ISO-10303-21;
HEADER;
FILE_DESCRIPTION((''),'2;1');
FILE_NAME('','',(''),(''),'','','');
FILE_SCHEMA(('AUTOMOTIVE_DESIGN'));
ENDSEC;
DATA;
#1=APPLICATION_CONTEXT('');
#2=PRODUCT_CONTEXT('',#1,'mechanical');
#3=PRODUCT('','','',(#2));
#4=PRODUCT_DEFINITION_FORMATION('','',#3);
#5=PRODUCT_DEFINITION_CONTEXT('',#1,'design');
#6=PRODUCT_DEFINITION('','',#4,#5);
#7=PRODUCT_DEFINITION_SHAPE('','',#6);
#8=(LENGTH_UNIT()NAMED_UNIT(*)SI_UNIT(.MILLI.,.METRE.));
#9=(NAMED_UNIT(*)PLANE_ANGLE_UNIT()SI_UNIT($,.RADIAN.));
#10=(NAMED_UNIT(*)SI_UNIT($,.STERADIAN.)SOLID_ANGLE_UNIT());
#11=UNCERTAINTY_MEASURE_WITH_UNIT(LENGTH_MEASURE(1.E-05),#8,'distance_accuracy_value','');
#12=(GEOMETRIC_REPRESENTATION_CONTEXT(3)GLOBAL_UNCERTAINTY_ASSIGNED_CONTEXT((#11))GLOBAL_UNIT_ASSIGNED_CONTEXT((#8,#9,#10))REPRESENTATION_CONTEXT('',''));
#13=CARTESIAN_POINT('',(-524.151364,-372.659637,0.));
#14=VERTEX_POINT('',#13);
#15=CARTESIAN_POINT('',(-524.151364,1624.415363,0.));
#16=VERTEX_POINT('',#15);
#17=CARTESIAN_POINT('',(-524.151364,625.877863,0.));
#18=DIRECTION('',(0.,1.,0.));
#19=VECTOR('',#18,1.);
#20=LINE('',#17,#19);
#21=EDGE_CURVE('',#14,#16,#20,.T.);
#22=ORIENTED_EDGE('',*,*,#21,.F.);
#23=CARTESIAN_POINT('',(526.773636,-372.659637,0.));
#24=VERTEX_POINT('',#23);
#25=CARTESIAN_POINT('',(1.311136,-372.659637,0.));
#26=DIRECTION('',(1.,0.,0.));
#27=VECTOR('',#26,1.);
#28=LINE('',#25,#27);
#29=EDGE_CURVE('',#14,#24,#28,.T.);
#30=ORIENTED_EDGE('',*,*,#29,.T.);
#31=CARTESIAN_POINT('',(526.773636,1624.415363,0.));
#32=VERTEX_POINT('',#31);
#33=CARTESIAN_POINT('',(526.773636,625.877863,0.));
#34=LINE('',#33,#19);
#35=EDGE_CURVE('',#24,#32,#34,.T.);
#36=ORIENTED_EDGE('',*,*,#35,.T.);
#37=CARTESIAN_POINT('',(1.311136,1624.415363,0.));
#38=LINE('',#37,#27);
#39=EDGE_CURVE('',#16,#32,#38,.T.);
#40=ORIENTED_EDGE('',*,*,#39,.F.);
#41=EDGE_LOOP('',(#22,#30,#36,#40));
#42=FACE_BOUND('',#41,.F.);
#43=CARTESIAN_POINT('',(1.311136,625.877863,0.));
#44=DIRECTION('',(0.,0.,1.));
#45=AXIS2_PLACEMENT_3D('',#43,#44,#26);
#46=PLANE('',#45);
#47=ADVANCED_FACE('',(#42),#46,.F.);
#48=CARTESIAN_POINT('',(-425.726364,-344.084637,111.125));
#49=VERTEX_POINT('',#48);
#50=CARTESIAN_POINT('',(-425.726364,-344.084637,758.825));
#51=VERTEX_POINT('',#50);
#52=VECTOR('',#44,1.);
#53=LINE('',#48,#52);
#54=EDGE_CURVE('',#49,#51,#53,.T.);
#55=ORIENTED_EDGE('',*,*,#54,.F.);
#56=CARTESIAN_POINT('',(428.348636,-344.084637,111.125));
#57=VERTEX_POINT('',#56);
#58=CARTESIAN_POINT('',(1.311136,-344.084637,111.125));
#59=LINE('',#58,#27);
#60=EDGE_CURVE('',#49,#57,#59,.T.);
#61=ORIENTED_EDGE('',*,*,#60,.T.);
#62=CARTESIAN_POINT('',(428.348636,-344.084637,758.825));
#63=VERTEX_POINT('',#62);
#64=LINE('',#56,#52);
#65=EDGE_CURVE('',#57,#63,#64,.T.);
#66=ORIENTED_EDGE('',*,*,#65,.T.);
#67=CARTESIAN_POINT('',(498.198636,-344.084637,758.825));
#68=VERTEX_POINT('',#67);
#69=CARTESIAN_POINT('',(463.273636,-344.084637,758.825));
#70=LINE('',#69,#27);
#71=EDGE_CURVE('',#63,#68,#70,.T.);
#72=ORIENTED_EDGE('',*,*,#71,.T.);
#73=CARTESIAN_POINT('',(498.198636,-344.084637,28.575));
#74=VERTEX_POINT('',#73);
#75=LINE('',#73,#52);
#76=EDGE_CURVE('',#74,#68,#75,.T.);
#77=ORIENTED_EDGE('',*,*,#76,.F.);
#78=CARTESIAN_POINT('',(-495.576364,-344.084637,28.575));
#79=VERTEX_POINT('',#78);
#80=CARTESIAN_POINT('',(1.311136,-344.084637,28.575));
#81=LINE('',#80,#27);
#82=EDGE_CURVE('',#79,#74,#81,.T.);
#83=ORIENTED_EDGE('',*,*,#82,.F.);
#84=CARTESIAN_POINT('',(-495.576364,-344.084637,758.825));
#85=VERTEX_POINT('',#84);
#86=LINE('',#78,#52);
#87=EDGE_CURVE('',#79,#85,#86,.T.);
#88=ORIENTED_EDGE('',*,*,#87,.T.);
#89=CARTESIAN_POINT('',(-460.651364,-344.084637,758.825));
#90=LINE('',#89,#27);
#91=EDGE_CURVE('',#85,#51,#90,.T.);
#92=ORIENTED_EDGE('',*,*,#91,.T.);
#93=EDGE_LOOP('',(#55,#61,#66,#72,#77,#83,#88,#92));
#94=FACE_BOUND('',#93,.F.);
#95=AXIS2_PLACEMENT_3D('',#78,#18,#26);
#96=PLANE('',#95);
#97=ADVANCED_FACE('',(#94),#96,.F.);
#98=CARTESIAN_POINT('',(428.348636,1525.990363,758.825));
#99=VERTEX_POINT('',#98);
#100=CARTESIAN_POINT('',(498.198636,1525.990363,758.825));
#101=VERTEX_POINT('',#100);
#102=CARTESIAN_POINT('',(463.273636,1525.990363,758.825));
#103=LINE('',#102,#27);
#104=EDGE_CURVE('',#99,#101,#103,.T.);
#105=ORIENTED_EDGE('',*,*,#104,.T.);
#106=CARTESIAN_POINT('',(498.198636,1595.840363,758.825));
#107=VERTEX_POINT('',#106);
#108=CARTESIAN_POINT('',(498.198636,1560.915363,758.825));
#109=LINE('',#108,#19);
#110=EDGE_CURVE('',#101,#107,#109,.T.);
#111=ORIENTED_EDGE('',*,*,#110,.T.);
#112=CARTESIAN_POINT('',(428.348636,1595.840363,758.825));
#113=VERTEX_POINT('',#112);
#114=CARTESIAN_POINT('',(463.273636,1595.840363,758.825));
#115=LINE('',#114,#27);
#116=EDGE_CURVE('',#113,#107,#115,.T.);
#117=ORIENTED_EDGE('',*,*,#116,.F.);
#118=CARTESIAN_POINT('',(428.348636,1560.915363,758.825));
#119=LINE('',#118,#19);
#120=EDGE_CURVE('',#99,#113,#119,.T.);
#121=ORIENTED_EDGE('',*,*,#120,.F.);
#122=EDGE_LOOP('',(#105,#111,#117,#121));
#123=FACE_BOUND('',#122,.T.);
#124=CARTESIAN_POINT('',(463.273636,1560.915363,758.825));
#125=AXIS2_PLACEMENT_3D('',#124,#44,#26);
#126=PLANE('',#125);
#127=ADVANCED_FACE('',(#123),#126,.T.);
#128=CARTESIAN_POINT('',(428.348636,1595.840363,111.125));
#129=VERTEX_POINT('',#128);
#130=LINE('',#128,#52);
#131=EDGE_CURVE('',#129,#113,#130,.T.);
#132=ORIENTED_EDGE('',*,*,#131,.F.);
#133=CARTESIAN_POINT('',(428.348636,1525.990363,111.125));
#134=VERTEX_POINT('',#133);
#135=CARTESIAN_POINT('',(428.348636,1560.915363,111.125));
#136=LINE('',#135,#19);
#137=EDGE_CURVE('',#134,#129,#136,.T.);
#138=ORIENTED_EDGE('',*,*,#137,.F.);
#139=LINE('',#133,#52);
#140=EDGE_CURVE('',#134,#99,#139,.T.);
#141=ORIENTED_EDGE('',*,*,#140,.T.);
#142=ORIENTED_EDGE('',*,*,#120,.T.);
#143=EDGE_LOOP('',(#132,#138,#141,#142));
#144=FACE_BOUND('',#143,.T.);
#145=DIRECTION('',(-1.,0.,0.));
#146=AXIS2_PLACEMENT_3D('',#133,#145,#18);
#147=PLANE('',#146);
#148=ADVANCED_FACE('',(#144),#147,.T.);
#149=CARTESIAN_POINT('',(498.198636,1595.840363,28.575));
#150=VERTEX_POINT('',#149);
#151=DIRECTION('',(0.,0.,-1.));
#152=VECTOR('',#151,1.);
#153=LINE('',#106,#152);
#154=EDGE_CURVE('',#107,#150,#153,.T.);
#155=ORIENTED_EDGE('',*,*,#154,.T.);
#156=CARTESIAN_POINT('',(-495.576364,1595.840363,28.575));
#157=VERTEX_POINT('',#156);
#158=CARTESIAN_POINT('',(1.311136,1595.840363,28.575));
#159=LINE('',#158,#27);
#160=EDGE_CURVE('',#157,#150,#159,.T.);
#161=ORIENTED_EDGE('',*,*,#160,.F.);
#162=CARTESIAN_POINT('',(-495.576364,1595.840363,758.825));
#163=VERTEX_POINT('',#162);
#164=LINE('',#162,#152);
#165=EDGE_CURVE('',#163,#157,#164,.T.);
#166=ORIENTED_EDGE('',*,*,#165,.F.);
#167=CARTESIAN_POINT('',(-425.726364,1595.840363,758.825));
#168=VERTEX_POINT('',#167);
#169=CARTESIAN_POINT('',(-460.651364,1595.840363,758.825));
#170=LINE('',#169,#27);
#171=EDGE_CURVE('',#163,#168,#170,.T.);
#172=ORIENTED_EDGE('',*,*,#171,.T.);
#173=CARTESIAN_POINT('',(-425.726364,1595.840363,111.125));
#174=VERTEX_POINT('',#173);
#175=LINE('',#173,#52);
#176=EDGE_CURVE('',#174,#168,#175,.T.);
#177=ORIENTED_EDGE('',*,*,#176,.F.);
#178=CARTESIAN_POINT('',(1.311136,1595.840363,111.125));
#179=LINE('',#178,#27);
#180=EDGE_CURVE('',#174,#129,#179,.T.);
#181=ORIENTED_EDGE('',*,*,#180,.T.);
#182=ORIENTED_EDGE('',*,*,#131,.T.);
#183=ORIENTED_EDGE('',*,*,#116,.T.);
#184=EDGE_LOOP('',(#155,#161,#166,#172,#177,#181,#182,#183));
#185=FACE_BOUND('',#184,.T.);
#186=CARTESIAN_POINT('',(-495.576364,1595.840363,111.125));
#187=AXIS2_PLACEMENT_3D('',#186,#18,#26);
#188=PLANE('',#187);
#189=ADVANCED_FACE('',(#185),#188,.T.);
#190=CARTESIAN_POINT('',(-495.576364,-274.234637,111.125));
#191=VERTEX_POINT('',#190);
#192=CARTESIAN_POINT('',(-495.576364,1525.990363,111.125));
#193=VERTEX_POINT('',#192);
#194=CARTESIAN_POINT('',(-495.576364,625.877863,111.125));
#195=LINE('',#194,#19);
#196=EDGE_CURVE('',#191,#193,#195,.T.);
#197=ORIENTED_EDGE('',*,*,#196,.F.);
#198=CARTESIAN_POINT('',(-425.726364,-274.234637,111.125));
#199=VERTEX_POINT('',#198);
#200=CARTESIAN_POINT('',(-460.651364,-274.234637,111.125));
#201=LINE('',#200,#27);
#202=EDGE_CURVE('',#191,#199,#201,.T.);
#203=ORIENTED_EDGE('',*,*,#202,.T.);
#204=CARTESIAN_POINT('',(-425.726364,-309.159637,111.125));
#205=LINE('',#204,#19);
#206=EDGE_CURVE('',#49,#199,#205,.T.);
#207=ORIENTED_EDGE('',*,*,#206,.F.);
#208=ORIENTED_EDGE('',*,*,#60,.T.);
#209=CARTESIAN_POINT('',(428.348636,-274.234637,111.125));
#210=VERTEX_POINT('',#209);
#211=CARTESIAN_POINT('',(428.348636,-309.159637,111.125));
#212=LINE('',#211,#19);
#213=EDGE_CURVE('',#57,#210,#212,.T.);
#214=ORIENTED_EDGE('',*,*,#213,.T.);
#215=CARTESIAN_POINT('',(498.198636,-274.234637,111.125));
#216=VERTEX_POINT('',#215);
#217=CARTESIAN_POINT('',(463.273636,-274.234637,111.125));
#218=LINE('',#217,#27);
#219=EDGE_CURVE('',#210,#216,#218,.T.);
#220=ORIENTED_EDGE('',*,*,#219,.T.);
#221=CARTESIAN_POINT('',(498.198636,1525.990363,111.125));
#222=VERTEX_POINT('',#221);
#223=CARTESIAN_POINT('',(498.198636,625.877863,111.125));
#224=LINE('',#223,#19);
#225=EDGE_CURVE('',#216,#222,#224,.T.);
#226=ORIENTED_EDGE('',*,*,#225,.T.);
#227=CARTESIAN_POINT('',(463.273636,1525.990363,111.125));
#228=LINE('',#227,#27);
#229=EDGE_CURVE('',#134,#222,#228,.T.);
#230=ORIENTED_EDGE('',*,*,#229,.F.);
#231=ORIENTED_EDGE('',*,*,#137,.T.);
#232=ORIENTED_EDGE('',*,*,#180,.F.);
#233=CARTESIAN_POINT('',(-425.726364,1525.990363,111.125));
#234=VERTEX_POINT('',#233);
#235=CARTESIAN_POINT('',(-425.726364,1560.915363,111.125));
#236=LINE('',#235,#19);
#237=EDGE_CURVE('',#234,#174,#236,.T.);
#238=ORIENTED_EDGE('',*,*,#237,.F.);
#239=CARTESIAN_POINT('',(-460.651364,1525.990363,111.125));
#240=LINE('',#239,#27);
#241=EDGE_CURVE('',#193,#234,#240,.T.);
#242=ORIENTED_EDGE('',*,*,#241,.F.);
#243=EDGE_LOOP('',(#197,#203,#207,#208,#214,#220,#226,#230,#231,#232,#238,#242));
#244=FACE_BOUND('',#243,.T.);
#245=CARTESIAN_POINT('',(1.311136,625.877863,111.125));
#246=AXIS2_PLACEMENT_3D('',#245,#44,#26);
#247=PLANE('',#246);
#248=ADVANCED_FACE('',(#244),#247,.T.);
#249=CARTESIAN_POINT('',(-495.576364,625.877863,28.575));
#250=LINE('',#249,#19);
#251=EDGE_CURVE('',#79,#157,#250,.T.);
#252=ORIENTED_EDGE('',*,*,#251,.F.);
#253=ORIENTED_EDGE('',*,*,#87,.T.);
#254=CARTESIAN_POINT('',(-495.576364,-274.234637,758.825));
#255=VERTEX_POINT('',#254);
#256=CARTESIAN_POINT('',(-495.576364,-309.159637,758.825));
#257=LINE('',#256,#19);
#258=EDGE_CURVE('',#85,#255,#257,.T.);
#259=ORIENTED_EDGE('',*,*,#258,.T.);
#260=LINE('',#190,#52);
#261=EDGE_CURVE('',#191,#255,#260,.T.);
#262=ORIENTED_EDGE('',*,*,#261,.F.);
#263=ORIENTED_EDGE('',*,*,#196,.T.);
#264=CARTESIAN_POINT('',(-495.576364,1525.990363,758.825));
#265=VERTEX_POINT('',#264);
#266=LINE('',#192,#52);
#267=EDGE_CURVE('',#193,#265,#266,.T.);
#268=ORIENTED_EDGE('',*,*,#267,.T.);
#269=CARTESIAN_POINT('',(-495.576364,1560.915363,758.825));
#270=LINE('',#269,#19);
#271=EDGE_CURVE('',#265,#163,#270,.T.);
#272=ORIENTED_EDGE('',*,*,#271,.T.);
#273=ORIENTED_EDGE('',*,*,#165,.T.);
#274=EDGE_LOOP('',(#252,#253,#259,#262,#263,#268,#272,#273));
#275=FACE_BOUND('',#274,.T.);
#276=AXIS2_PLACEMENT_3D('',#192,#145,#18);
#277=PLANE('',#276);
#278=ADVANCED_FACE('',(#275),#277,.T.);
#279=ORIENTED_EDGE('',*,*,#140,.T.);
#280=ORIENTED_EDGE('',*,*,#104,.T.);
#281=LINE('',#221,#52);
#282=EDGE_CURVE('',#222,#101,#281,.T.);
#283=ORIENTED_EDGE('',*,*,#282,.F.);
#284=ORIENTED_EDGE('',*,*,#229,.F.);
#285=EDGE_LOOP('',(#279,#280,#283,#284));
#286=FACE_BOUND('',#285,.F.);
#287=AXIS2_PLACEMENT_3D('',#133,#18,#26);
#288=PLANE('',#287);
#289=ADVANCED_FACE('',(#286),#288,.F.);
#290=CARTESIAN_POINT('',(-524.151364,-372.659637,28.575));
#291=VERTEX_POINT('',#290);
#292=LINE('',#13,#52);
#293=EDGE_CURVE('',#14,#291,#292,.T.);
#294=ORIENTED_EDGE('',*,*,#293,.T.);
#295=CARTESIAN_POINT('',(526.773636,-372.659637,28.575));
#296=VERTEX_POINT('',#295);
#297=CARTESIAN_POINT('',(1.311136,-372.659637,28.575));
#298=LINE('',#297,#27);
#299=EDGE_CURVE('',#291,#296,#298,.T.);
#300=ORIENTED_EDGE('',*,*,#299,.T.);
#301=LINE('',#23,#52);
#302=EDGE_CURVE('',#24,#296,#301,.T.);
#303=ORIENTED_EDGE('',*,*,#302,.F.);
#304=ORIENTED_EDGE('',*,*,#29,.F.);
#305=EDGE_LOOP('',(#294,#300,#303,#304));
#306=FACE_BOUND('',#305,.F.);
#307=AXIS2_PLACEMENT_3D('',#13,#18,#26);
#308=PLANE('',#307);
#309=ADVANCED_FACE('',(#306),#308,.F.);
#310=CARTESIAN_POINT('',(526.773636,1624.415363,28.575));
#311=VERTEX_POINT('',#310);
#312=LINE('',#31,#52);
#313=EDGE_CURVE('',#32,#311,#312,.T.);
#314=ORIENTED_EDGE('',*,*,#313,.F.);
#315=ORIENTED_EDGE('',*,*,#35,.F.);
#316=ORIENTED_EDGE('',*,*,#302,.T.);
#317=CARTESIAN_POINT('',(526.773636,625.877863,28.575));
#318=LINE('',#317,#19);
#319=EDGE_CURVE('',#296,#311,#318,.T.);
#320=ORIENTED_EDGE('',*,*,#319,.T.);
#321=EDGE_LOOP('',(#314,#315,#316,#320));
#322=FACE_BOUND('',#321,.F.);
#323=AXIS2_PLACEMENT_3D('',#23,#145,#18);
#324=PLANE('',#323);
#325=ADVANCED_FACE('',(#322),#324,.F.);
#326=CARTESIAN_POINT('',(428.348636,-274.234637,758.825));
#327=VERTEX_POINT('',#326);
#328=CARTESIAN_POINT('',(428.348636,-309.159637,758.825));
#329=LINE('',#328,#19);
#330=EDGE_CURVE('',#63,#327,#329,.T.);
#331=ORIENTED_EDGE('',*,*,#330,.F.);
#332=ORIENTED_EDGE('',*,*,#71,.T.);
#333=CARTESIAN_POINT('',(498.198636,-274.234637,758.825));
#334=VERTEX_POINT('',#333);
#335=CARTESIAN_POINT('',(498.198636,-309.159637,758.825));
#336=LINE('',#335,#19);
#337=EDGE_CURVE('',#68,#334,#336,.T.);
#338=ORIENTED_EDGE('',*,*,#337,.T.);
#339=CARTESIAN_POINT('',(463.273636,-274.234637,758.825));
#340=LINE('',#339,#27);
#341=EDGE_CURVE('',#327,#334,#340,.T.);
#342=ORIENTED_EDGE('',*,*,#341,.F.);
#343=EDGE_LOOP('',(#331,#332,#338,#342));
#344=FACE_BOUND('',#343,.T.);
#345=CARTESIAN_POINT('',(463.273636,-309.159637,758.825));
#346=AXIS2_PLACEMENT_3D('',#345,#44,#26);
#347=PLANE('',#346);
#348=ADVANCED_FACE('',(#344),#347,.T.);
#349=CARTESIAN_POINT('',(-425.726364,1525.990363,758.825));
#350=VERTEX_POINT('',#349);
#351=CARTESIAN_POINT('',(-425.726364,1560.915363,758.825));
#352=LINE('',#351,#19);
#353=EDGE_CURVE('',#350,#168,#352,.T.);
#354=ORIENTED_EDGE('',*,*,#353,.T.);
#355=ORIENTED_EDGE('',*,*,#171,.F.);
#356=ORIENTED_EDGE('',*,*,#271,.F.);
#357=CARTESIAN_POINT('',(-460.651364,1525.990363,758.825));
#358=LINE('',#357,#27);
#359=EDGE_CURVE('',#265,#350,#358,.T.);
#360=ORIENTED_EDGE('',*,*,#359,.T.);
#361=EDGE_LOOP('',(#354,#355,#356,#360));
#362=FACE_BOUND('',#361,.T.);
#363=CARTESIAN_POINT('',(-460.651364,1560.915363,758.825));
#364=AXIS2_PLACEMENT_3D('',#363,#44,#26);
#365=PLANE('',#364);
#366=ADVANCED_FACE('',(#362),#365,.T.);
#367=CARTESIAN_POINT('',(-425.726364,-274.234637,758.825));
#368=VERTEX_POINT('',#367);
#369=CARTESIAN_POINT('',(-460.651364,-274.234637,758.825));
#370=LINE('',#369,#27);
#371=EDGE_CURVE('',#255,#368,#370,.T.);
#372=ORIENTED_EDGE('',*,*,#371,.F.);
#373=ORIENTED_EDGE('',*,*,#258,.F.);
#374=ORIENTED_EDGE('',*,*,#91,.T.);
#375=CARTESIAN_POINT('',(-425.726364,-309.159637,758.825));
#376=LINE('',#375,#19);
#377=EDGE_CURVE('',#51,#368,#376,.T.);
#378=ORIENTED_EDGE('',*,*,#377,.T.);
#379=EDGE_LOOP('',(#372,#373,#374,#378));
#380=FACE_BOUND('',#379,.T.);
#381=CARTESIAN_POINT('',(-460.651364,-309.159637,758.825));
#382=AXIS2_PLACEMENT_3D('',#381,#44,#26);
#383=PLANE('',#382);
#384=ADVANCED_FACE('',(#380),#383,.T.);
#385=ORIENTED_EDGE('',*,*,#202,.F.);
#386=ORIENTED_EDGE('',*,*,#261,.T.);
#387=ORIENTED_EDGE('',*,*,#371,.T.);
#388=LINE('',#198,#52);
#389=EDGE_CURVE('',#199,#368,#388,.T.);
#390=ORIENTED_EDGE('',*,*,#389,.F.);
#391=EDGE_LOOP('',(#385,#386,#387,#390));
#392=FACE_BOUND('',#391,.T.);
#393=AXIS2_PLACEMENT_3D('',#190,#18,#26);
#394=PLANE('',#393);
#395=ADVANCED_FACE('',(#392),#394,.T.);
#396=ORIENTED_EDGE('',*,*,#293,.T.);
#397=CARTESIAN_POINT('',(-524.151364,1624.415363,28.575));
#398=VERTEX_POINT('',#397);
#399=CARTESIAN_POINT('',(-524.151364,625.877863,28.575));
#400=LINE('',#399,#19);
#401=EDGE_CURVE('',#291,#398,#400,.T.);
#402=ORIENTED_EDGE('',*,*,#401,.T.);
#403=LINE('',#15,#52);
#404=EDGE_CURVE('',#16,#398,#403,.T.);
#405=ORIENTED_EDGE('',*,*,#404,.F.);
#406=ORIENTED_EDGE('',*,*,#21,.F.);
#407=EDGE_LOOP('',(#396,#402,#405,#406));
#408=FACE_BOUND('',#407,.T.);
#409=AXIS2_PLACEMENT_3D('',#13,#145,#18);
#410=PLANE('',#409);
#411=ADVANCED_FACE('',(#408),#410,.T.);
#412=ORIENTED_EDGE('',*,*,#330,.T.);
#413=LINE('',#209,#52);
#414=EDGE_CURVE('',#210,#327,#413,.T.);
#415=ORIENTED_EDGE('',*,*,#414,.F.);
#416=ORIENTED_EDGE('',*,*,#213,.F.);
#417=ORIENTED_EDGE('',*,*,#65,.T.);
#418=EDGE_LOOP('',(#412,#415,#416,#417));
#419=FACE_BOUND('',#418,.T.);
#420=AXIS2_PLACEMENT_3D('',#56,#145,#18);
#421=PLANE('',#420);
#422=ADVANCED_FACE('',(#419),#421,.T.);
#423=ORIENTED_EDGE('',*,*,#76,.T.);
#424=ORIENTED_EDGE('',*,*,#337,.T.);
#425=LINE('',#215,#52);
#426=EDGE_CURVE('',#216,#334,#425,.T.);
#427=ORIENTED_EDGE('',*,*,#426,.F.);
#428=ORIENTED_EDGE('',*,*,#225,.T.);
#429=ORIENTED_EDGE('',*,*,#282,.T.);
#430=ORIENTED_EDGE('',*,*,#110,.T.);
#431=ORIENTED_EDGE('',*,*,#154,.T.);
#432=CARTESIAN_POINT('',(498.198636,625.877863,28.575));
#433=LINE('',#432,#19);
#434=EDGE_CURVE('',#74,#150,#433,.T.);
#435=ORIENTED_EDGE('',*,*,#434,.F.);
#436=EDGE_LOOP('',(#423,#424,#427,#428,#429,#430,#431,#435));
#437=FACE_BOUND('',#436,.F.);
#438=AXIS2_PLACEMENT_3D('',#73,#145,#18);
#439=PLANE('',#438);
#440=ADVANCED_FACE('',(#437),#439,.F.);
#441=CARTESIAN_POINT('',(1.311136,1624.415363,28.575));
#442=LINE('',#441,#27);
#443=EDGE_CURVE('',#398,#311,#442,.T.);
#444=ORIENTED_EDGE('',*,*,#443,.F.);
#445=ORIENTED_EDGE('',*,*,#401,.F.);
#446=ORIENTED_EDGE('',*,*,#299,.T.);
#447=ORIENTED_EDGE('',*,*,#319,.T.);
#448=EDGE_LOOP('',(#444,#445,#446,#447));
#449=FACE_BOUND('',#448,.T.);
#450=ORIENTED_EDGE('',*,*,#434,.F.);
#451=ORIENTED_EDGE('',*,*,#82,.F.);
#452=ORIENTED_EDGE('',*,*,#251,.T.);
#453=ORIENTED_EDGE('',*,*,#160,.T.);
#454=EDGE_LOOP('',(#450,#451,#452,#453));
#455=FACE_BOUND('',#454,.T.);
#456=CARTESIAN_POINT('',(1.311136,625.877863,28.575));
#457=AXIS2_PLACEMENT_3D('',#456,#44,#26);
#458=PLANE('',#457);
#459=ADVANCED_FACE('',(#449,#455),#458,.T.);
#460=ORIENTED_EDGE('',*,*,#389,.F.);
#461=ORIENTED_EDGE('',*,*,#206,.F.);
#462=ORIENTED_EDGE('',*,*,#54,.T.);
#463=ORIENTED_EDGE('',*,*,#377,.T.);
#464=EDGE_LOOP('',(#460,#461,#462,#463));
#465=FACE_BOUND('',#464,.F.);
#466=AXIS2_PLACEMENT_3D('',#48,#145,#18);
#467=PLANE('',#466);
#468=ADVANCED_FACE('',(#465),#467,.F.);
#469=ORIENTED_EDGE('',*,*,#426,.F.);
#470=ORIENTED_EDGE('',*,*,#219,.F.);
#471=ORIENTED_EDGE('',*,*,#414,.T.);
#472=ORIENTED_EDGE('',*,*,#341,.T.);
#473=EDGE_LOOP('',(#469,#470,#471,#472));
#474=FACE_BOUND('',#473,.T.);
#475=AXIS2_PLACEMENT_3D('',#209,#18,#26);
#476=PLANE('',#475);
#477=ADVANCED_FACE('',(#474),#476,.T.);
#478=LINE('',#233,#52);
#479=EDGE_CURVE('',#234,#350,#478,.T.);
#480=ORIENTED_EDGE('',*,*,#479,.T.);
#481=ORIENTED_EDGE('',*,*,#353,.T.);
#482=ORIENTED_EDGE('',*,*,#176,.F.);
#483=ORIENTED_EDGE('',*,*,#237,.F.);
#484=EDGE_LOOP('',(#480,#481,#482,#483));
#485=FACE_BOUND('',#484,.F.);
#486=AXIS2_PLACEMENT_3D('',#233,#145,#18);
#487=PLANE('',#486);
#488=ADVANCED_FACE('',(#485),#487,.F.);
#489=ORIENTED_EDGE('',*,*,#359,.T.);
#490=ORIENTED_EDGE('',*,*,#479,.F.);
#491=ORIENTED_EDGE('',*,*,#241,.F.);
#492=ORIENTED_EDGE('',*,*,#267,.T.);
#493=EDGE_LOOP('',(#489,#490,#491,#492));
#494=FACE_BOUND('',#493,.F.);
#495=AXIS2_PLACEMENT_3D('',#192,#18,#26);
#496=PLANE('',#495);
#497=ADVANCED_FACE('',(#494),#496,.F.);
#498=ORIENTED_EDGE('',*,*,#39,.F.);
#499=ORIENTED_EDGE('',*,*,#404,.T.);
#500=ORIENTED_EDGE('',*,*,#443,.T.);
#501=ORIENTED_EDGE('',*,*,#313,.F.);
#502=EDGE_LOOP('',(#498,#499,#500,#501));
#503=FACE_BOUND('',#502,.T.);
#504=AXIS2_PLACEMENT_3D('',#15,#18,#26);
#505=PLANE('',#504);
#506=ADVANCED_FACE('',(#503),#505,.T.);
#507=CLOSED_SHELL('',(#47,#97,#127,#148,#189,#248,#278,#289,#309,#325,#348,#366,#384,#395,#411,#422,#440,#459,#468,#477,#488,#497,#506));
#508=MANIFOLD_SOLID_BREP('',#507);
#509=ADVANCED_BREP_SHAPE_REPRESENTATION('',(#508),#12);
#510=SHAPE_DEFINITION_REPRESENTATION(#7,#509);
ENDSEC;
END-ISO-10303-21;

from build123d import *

# Parameters (mm, degrees)
F0_W     = 1050.925
F0_H     = 1997.075
F1_DEPTH = 28.575
F2_W     = 993.775
F2_H     = 1939.925
F3_DEPTH = 82.55
F4_W     = 69.85
F4_H     = 69.85
F5_DEPTH = 647.7


with BuildPart() as f1:
    # F0 (on Top) → F1 (new body)
    with BuildSketch(Plane.XY):
        with Locations((1.311136, 625.877863)):
            Rectangle(F0_W, F0_H)
    extrude(amount=F1_DEPTH)

    # F2 (on face) → F3 (join)
    with BuildSketch(Plane.XY.offset(28.575)):
        with Locations((1.311136, 625.877863)):
            Rectangle(F2_W, F2_H)
    extrude(amount=F3_DEPTH)

    # F4 (on face) → F5 (join)
    with BuildSketch(Plane.XY.offset(111.125)):
        with Locations((-460.651364, 1560.915363)):
            Rectangle(F4_W, F4_H)
        with Locations((463.273636, 1560.915363)):
            Rectangle(F4_W, F4_H)
        with Locations((463.273636, -309.159637)):
            Rectangle(F4_W, F4_H)
        with Locations((-460.651364, -309.159637)):
            Rectangle(F4_W, F4_H)
    extrude(amount=F5_DEPTH)


solid = f1.part
